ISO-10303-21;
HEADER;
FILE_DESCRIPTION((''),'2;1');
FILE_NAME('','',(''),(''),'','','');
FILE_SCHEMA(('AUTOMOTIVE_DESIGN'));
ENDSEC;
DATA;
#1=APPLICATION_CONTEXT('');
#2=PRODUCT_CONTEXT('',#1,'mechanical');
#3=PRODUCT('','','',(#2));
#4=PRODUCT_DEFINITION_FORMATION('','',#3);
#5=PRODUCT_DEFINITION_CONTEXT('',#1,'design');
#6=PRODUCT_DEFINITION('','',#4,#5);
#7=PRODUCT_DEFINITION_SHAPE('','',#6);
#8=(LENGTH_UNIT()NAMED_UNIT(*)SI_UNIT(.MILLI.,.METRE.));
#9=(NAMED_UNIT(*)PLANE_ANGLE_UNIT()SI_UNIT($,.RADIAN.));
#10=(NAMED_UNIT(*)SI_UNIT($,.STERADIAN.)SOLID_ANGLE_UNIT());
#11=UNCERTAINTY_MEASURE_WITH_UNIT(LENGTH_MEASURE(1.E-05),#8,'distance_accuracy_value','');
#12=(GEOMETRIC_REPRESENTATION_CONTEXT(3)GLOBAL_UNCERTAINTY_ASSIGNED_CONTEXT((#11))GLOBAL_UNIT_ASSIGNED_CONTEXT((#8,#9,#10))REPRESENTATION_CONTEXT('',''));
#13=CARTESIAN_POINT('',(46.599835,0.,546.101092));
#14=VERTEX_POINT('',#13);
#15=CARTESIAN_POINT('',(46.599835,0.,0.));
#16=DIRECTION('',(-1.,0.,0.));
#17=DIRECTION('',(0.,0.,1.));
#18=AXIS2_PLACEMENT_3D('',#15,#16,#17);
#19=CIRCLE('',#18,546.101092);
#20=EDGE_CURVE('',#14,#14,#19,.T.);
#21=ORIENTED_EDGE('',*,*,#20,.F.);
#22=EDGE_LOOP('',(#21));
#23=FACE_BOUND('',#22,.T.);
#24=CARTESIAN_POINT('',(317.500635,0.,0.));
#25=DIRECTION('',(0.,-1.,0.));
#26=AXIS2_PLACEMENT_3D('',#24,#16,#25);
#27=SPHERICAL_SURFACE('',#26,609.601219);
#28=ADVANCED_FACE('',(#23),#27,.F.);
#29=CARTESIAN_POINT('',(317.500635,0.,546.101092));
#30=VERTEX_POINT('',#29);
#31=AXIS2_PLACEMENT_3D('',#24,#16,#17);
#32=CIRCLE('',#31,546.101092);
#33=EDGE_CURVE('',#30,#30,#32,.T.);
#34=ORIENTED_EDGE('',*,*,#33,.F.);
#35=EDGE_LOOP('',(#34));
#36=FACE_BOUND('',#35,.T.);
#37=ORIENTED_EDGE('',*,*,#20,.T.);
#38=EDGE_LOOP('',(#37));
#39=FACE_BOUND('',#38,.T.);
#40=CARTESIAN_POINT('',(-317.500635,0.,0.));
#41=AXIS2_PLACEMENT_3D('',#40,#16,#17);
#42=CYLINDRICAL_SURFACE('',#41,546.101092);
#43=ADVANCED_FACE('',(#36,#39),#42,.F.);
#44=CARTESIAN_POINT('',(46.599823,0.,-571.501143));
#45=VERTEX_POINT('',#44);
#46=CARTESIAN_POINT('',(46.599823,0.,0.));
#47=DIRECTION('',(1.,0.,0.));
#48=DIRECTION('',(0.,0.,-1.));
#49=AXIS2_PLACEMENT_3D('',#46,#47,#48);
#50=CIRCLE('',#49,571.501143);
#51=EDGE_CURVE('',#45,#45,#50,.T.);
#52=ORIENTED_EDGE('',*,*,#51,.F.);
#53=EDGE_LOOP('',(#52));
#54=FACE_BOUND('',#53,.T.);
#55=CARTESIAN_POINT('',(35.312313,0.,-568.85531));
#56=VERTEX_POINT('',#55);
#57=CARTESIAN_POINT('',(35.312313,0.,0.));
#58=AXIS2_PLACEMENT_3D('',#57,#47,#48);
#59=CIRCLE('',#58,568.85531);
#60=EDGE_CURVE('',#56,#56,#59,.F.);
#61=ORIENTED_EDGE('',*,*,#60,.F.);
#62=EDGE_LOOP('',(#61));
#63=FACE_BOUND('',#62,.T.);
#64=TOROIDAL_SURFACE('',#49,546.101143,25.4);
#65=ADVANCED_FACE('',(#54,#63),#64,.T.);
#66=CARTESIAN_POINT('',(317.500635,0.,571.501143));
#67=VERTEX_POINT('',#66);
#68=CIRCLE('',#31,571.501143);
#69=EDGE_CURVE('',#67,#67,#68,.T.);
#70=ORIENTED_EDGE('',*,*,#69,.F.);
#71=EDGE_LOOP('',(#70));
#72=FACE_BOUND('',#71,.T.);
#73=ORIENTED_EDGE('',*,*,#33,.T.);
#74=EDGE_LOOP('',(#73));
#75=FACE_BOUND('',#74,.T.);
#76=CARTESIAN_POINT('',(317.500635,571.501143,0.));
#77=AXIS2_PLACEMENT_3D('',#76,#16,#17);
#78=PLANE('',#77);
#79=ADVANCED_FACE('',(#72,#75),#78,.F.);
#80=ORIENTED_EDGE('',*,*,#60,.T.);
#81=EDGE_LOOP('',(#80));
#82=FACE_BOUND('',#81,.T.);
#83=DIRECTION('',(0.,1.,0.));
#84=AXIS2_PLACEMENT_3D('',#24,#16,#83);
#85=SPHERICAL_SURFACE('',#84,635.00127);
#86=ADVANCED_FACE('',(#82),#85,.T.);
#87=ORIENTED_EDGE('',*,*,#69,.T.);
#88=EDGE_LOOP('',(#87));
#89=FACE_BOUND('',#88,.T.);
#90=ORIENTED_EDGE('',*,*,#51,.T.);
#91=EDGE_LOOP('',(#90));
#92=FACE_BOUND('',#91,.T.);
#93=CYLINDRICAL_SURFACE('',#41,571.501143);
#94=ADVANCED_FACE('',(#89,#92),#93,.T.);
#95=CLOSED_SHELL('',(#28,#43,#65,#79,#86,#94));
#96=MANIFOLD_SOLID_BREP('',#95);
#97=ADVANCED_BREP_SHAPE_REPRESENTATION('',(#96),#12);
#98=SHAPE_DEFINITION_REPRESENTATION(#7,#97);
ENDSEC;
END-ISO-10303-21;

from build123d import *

# Parameters (mm, degrees)
FILLET1_R = 25.4


with BuildPart() as part:
    # Sketch1 → Revolve3 (revolve)
    with BuildSketch(Plane.XY):
        with BuildLine():
            Line((317.500635001, 571.501143002), (40.709998505, 571.501143002))
            ThreePointArc((40.709998505, 571.501143002), (-220.546304682, 337.241906652), (-317.500635001, 0))
            Line((-317.500635001, 0), (-292.100584201, 0))
            ThreePointArc((-292.100584201, 0), (-200.551053799, 321.303741317), (46.599834802, 546.101092202))
            Line((46.599834802, 546.101092202), (317.500635001, 546.101092202))
            Line((317.500635001, 546.101092202), (317.500635001, 571.501143002))
        make_face()
    revolve(axis=Axis((-317.500635001, 0, 0), (1, 0, 0)))

    # Fillet1
    fillet1_edges = [part.edges().sort_by_distance(p)[0] for p in [
        (40.709998505, -571.501143002, 0),
    ]]
    fillet(fillet1_edges, radius=FILLET1_R)


solid = part.part
